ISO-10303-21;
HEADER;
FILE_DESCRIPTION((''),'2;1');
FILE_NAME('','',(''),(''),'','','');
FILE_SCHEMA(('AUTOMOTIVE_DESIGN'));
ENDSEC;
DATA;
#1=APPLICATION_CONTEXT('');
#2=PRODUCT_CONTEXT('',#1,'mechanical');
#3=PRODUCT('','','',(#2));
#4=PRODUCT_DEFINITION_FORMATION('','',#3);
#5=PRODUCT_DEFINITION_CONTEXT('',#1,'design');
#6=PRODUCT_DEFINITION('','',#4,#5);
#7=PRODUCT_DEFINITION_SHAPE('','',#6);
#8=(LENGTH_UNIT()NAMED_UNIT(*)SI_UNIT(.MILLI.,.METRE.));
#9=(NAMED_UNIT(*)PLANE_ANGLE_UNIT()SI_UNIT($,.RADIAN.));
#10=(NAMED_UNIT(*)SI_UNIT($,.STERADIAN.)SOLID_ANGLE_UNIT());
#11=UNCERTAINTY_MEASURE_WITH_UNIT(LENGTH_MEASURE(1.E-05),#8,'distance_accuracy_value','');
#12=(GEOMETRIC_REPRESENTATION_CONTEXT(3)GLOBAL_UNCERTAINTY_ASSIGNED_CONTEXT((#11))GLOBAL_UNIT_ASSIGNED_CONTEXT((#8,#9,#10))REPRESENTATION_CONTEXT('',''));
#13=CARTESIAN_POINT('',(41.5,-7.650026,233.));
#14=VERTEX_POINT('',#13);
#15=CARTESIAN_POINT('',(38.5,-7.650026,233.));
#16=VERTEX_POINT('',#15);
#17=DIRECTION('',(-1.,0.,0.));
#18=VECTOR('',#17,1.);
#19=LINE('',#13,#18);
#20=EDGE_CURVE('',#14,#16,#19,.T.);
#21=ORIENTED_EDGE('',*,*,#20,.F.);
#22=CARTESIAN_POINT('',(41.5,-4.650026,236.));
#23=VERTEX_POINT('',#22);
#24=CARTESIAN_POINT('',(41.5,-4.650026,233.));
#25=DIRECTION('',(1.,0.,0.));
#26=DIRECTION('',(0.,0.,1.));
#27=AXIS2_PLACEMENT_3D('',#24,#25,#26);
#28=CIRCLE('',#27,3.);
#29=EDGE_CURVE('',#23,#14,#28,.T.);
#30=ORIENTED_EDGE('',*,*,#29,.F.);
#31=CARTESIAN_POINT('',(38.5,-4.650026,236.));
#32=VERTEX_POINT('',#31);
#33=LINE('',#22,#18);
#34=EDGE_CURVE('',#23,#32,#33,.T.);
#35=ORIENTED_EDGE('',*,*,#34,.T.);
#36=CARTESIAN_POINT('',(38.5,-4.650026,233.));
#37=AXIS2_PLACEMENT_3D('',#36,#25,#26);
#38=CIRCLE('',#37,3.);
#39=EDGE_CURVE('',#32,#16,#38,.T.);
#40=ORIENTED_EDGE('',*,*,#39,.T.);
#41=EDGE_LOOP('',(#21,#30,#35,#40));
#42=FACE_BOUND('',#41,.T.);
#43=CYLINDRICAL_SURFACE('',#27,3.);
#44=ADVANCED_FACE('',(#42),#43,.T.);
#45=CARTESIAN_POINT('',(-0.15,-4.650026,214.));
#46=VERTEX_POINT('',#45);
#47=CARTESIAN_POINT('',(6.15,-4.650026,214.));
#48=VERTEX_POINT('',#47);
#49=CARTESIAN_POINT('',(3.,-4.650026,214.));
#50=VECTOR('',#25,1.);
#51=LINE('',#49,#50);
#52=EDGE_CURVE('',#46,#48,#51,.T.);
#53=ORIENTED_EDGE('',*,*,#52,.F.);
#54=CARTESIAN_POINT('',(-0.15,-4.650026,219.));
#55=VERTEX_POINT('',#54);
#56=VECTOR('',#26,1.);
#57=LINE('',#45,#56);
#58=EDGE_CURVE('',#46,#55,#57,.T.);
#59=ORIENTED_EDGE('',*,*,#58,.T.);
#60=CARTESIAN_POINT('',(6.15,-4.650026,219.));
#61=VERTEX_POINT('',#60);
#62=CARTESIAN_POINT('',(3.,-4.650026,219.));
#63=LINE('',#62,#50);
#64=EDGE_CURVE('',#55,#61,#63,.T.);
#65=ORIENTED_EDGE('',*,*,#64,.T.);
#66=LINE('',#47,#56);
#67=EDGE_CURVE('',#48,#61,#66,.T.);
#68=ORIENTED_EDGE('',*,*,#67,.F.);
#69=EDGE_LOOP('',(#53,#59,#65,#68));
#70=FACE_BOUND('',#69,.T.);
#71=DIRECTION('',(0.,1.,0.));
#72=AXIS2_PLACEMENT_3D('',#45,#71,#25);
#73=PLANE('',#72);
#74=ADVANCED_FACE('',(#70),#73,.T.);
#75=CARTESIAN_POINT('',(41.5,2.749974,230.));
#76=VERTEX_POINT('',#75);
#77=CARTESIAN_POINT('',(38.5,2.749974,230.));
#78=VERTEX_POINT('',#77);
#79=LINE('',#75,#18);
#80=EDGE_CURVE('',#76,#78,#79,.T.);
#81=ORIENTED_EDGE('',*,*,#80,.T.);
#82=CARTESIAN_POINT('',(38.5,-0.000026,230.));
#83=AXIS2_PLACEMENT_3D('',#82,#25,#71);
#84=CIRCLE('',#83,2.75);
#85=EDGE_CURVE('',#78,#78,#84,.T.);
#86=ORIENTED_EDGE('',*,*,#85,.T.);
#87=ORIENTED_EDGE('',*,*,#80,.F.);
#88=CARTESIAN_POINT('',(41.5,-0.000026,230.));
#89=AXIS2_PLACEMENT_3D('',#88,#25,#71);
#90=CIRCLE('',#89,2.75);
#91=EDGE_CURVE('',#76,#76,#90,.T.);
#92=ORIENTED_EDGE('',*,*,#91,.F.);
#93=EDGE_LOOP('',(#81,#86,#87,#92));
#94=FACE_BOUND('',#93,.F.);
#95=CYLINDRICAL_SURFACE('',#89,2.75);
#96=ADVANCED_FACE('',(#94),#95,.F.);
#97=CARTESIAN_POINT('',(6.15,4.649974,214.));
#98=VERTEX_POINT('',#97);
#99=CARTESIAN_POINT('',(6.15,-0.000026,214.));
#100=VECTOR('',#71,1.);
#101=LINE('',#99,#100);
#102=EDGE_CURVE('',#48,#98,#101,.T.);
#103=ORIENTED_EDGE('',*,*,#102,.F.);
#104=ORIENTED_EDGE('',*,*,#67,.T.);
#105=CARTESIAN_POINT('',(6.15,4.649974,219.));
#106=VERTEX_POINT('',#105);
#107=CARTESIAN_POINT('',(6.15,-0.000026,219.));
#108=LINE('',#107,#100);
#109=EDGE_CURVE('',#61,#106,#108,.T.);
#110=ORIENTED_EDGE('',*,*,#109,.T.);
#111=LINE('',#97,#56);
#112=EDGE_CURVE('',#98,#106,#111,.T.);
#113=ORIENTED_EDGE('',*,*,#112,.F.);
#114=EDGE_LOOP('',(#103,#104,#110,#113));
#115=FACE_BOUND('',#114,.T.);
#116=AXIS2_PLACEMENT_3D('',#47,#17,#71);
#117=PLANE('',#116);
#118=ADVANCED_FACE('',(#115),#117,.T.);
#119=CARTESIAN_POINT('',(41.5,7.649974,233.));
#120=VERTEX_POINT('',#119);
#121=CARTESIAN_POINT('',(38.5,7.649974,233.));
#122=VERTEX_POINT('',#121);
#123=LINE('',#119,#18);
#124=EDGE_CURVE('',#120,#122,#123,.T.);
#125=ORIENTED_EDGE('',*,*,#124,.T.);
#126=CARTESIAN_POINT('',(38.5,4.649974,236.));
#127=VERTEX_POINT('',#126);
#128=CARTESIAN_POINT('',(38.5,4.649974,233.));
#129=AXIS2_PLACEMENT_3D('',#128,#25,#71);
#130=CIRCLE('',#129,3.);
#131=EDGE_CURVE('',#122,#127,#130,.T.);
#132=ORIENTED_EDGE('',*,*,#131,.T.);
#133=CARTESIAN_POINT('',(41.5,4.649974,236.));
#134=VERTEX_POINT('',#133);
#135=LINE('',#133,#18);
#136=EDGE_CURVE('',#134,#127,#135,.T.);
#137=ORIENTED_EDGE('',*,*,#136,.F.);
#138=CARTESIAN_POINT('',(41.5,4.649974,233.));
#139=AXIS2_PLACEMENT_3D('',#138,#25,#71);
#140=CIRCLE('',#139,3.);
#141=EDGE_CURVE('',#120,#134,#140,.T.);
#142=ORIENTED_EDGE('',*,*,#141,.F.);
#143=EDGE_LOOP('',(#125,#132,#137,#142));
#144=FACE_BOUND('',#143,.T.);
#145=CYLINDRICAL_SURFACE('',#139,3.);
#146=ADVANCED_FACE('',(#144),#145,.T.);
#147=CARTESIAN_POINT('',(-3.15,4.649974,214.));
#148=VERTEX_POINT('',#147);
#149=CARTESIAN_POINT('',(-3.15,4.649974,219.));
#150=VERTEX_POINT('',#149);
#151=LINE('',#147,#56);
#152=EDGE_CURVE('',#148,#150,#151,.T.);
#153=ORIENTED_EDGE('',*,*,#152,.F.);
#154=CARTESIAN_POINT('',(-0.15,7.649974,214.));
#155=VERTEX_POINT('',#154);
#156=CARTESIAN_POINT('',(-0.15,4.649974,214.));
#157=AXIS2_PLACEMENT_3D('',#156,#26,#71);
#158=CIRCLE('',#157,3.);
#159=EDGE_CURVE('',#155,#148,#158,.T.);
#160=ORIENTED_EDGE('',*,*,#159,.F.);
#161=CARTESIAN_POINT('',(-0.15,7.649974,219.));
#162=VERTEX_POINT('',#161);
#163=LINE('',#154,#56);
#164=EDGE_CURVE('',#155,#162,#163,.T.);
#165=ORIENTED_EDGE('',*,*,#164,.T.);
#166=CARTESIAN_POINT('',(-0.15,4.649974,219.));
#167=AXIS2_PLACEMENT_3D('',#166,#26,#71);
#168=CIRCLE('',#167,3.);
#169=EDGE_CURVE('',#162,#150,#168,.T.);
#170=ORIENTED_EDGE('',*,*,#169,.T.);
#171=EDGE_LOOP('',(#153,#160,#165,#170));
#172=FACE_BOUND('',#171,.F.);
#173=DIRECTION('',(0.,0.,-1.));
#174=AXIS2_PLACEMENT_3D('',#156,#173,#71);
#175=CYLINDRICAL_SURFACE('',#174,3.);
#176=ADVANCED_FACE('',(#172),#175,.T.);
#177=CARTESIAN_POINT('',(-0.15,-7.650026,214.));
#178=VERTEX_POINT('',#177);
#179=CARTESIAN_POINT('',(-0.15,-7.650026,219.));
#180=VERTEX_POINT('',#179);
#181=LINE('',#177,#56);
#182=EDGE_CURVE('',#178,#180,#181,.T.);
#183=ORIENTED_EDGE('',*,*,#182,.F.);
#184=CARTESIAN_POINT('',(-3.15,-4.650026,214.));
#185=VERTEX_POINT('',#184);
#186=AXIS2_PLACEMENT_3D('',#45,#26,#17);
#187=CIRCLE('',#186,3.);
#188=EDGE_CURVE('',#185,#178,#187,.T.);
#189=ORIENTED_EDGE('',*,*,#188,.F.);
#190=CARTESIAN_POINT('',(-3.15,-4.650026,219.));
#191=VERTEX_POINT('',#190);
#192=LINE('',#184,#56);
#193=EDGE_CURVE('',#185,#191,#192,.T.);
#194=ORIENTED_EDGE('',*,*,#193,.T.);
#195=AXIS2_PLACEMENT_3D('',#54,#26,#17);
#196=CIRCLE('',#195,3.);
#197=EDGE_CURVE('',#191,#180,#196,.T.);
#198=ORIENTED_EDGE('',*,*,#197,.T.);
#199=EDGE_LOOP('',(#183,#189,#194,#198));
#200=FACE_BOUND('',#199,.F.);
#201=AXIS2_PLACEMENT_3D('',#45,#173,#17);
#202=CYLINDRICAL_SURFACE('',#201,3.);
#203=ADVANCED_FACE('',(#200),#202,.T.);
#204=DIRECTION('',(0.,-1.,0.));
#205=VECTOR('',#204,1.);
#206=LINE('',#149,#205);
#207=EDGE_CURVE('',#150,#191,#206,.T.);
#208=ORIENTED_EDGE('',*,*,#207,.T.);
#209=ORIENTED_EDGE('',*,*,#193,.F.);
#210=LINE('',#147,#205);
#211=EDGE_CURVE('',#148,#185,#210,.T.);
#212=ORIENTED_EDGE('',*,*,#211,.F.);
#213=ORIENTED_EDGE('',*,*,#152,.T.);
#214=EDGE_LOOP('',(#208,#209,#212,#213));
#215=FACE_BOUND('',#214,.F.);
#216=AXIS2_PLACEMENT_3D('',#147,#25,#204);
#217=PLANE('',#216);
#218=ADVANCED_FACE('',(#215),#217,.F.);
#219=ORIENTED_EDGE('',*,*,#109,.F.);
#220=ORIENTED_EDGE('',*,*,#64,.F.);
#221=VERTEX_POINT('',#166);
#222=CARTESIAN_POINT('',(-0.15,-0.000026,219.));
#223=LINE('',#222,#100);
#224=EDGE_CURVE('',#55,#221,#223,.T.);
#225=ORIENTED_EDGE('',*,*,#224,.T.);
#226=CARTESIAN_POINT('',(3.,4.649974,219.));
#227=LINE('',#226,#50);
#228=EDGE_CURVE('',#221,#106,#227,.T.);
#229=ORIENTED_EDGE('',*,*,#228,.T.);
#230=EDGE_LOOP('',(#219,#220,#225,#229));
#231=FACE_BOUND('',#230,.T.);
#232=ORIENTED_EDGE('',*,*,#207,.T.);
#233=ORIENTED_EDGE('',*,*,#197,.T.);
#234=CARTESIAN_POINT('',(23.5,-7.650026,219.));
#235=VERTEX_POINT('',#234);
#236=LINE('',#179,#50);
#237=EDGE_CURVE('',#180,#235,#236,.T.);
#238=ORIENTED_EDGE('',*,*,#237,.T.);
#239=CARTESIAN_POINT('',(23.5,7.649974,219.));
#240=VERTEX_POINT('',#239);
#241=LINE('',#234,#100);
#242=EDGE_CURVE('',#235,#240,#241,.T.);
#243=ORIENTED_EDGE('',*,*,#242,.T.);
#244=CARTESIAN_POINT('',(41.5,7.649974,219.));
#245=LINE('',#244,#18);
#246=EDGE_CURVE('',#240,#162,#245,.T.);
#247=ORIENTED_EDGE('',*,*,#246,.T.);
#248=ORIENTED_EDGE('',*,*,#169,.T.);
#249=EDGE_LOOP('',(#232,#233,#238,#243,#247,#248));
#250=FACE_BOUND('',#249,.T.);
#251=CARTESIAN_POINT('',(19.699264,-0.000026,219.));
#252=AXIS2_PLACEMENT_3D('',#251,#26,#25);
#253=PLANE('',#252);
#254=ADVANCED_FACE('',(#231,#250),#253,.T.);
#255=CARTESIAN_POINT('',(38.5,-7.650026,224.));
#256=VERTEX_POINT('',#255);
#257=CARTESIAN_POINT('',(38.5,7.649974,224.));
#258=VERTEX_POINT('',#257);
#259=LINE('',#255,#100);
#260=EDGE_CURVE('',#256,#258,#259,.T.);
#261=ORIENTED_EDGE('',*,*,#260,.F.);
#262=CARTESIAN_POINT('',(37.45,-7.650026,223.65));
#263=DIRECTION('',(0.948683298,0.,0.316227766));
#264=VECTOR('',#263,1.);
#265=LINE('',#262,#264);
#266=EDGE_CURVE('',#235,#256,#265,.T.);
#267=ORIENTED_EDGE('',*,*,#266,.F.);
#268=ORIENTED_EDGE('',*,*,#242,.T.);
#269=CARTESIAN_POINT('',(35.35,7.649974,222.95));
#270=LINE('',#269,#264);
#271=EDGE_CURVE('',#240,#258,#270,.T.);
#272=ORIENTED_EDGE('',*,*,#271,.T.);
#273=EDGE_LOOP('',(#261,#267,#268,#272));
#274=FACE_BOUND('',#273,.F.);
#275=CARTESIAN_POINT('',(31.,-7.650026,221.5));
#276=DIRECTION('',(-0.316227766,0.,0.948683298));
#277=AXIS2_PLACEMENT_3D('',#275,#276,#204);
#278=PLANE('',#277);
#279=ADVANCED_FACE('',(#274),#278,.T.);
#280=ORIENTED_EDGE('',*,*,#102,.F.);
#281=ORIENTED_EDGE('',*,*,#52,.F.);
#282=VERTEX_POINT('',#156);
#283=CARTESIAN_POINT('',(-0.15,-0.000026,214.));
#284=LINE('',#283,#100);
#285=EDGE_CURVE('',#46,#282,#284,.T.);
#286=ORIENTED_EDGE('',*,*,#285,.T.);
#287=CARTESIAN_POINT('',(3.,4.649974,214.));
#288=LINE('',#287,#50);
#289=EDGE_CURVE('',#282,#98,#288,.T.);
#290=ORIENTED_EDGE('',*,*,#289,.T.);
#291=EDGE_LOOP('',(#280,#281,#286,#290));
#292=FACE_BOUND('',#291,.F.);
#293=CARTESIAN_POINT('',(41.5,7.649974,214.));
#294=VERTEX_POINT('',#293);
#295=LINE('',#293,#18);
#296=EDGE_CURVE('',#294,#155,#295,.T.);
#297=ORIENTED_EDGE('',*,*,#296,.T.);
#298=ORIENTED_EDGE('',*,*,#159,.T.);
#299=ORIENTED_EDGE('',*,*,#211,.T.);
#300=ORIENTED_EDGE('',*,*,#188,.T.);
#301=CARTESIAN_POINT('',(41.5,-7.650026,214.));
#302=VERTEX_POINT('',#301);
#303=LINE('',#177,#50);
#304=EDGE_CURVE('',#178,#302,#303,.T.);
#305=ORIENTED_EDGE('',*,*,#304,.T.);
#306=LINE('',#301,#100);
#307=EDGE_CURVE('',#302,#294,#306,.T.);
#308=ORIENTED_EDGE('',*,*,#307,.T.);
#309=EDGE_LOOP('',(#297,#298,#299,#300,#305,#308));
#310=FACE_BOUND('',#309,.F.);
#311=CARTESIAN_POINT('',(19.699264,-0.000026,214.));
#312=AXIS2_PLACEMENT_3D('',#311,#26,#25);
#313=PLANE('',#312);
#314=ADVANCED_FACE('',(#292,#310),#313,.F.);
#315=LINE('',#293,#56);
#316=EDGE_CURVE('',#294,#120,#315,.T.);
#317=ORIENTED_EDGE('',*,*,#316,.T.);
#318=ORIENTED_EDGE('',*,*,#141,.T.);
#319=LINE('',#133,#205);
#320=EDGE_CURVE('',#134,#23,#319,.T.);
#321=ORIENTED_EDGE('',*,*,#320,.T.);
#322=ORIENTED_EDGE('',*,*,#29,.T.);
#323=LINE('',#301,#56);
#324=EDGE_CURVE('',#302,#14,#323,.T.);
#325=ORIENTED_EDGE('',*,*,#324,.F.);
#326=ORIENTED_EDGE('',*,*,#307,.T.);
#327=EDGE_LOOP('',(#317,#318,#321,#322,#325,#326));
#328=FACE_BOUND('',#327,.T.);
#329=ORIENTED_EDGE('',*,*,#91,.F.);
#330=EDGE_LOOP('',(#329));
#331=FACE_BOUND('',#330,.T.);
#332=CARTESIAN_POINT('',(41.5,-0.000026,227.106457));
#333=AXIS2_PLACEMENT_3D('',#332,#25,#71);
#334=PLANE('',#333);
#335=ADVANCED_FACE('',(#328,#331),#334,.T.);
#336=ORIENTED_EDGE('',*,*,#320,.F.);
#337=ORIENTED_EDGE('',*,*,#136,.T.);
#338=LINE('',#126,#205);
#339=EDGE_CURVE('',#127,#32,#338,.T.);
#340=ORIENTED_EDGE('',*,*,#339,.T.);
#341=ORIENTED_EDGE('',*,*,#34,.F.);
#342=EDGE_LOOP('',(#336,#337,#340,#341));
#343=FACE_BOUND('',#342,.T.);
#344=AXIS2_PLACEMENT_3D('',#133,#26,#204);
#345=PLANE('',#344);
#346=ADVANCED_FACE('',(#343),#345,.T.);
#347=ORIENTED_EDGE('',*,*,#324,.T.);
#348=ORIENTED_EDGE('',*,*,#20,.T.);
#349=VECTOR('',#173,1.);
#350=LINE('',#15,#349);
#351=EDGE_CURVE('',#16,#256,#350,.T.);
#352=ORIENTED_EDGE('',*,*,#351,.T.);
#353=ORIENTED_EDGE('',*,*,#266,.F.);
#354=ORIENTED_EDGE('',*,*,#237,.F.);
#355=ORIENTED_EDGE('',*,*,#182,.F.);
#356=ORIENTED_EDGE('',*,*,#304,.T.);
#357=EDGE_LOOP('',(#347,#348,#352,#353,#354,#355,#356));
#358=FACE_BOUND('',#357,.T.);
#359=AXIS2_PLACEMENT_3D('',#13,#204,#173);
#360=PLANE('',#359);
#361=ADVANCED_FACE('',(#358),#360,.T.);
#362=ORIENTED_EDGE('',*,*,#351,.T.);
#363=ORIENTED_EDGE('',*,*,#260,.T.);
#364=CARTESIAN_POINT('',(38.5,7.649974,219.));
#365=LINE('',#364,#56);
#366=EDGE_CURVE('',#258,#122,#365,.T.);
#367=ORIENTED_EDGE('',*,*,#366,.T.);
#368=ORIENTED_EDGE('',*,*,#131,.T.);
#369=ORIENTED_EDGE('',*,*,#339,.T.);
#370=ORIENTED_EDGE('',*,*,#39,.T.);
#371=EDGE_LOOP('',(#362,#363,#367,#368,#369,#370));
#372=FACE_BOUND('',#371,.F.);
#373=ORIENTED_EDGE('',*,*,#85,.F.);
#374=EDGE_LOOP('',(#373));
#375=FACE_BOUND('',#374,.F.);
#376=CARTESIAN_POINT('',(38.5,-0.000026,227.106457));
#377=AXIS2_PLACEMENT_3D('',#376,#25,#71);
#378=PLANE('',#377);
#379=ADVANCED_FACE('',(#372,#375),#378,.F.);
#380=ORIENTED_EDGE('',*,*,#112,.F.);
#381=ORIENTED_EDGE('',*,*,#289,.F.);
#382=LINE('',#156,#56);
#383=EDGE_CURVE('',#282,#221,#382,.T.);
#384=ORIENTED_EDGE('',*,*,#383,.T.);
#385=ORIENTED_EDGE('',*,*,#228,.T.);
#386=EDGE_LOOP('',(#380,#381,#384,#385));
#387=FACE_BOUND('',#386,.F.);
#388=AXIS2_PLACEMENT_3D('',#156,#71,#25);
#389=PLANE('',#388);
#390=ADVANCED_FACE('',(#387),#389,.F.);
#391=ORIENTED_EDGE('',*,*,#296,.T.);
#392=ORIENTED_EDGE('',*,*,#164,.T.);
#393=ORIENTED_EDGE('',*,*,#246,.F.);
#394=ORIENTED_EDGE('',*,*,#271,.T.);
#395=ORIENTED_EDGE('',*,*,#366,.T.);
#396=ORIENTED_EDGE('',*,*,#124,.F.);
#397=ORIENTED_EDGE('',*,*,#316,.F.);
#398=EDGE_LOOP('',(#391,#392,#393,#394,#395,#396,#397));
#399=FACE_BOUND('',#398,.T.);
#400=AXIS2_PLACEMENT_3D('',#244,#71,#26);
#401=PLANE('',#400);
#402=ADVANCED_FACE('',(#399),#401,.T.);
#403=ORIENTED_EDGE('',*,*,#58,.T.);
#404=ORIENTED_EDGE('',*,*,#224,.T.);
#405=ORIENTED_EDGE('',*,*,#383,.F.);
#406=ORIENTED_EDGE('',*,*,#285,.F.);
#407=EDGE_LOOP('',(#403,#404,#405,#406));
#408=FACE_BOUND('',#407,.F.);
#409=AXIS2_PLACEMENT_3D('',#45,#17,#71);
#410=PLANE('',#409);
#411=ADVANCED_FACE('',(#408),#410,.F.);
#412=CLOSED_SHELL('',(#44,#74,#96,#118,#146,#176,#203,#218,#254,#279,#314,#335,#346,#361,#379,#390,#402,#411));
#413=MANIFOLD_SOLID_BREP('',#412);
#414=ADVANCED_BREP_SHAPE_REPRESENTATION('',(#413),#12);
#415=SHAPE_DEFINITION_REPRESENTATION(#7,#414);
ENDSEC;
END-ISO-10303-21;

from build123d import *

# Parameters (mm, degrees)
SKETCH063_W   = 6.3
SKETCH063_H   = 9.3
PAD029_DEPTH  = 5
SKETCH064_R   = 2.75
PAD030_DEPTH  = 3
CHAMFER_SIZE2 = 5
CHAMFER_SIZE  = 15


with BuildPart() as part:
    # Sketch063 → Pad029 (new body)
    with BuildSketch(Plane.XY):
        with BuildLine():
            Line((-6.15, 4.65), (-6.15, -4.65))
            ThreePointArc((-6.15, -4.65), (-5.2713203436, -6.7713203436), (-3.15, -7.65))
            Line((-3.15, -7.65), (38.5, -7.65))
            Line((38.5, -7.65), (38.5, 7.65))
            Line((38.5, 7.65), (-3.15, 7.65))
            ThreePointArc((-3.15, 7.65), (-5.2713203436, 6.7713203436), (-6.15, 4.65))
        make_face()
        Rectangle(SKETCH063_W, SKETCH063_H, mode=Mode.SUBTRACT)
    extrude(amount=PAD029_DEPTH)

    # Sketch064 (on Face4 of Pad029) → Pad030 (join)
    with BuildSketch(Plane.YZ.offset(38.5)):
        with BuildLine():
            Line((-7.65, 19), (-7.65, 5))
            Line((-7.65, 5), (7.65, 5))
            Line((7.65, 5), (7.65, 19))
            ThreePointArc((7.65, 19), (6.7713203436, 21.1213203436), (4.65, 22))
            Line((4.65, 22), (-4.65, 22))
            ThreePointArc((-4.65, 22), (-6.7713203436, 21.1213203436), (-7.65, 19))
        make_face()
        with Locations((0, 16)):
            Circle(SKETCH064_R, mode=Mode.SUBTRACT)
    extrude(amount=-PAD030_DEPTH)

    # Chamfer
    chamfer_edges = [part.edges().sort_by_distance(p)[0] for p in [
        (35.5, 0, 5),
    ]]
    chamfer_side = part.faces().sort_by_distance((16.306308, 0, 5))[0]
    chamfer(chamfer_edges, length=CHAMFER_SIZE, length2=CHAMFER_SIZE2, reference=chamfer_side)


with BuildPart() as part_1:
    # Body017 placement: moved
    add(part.part.moved(Location((3, -2.563e-05, 214))))


solid = part_1.part
